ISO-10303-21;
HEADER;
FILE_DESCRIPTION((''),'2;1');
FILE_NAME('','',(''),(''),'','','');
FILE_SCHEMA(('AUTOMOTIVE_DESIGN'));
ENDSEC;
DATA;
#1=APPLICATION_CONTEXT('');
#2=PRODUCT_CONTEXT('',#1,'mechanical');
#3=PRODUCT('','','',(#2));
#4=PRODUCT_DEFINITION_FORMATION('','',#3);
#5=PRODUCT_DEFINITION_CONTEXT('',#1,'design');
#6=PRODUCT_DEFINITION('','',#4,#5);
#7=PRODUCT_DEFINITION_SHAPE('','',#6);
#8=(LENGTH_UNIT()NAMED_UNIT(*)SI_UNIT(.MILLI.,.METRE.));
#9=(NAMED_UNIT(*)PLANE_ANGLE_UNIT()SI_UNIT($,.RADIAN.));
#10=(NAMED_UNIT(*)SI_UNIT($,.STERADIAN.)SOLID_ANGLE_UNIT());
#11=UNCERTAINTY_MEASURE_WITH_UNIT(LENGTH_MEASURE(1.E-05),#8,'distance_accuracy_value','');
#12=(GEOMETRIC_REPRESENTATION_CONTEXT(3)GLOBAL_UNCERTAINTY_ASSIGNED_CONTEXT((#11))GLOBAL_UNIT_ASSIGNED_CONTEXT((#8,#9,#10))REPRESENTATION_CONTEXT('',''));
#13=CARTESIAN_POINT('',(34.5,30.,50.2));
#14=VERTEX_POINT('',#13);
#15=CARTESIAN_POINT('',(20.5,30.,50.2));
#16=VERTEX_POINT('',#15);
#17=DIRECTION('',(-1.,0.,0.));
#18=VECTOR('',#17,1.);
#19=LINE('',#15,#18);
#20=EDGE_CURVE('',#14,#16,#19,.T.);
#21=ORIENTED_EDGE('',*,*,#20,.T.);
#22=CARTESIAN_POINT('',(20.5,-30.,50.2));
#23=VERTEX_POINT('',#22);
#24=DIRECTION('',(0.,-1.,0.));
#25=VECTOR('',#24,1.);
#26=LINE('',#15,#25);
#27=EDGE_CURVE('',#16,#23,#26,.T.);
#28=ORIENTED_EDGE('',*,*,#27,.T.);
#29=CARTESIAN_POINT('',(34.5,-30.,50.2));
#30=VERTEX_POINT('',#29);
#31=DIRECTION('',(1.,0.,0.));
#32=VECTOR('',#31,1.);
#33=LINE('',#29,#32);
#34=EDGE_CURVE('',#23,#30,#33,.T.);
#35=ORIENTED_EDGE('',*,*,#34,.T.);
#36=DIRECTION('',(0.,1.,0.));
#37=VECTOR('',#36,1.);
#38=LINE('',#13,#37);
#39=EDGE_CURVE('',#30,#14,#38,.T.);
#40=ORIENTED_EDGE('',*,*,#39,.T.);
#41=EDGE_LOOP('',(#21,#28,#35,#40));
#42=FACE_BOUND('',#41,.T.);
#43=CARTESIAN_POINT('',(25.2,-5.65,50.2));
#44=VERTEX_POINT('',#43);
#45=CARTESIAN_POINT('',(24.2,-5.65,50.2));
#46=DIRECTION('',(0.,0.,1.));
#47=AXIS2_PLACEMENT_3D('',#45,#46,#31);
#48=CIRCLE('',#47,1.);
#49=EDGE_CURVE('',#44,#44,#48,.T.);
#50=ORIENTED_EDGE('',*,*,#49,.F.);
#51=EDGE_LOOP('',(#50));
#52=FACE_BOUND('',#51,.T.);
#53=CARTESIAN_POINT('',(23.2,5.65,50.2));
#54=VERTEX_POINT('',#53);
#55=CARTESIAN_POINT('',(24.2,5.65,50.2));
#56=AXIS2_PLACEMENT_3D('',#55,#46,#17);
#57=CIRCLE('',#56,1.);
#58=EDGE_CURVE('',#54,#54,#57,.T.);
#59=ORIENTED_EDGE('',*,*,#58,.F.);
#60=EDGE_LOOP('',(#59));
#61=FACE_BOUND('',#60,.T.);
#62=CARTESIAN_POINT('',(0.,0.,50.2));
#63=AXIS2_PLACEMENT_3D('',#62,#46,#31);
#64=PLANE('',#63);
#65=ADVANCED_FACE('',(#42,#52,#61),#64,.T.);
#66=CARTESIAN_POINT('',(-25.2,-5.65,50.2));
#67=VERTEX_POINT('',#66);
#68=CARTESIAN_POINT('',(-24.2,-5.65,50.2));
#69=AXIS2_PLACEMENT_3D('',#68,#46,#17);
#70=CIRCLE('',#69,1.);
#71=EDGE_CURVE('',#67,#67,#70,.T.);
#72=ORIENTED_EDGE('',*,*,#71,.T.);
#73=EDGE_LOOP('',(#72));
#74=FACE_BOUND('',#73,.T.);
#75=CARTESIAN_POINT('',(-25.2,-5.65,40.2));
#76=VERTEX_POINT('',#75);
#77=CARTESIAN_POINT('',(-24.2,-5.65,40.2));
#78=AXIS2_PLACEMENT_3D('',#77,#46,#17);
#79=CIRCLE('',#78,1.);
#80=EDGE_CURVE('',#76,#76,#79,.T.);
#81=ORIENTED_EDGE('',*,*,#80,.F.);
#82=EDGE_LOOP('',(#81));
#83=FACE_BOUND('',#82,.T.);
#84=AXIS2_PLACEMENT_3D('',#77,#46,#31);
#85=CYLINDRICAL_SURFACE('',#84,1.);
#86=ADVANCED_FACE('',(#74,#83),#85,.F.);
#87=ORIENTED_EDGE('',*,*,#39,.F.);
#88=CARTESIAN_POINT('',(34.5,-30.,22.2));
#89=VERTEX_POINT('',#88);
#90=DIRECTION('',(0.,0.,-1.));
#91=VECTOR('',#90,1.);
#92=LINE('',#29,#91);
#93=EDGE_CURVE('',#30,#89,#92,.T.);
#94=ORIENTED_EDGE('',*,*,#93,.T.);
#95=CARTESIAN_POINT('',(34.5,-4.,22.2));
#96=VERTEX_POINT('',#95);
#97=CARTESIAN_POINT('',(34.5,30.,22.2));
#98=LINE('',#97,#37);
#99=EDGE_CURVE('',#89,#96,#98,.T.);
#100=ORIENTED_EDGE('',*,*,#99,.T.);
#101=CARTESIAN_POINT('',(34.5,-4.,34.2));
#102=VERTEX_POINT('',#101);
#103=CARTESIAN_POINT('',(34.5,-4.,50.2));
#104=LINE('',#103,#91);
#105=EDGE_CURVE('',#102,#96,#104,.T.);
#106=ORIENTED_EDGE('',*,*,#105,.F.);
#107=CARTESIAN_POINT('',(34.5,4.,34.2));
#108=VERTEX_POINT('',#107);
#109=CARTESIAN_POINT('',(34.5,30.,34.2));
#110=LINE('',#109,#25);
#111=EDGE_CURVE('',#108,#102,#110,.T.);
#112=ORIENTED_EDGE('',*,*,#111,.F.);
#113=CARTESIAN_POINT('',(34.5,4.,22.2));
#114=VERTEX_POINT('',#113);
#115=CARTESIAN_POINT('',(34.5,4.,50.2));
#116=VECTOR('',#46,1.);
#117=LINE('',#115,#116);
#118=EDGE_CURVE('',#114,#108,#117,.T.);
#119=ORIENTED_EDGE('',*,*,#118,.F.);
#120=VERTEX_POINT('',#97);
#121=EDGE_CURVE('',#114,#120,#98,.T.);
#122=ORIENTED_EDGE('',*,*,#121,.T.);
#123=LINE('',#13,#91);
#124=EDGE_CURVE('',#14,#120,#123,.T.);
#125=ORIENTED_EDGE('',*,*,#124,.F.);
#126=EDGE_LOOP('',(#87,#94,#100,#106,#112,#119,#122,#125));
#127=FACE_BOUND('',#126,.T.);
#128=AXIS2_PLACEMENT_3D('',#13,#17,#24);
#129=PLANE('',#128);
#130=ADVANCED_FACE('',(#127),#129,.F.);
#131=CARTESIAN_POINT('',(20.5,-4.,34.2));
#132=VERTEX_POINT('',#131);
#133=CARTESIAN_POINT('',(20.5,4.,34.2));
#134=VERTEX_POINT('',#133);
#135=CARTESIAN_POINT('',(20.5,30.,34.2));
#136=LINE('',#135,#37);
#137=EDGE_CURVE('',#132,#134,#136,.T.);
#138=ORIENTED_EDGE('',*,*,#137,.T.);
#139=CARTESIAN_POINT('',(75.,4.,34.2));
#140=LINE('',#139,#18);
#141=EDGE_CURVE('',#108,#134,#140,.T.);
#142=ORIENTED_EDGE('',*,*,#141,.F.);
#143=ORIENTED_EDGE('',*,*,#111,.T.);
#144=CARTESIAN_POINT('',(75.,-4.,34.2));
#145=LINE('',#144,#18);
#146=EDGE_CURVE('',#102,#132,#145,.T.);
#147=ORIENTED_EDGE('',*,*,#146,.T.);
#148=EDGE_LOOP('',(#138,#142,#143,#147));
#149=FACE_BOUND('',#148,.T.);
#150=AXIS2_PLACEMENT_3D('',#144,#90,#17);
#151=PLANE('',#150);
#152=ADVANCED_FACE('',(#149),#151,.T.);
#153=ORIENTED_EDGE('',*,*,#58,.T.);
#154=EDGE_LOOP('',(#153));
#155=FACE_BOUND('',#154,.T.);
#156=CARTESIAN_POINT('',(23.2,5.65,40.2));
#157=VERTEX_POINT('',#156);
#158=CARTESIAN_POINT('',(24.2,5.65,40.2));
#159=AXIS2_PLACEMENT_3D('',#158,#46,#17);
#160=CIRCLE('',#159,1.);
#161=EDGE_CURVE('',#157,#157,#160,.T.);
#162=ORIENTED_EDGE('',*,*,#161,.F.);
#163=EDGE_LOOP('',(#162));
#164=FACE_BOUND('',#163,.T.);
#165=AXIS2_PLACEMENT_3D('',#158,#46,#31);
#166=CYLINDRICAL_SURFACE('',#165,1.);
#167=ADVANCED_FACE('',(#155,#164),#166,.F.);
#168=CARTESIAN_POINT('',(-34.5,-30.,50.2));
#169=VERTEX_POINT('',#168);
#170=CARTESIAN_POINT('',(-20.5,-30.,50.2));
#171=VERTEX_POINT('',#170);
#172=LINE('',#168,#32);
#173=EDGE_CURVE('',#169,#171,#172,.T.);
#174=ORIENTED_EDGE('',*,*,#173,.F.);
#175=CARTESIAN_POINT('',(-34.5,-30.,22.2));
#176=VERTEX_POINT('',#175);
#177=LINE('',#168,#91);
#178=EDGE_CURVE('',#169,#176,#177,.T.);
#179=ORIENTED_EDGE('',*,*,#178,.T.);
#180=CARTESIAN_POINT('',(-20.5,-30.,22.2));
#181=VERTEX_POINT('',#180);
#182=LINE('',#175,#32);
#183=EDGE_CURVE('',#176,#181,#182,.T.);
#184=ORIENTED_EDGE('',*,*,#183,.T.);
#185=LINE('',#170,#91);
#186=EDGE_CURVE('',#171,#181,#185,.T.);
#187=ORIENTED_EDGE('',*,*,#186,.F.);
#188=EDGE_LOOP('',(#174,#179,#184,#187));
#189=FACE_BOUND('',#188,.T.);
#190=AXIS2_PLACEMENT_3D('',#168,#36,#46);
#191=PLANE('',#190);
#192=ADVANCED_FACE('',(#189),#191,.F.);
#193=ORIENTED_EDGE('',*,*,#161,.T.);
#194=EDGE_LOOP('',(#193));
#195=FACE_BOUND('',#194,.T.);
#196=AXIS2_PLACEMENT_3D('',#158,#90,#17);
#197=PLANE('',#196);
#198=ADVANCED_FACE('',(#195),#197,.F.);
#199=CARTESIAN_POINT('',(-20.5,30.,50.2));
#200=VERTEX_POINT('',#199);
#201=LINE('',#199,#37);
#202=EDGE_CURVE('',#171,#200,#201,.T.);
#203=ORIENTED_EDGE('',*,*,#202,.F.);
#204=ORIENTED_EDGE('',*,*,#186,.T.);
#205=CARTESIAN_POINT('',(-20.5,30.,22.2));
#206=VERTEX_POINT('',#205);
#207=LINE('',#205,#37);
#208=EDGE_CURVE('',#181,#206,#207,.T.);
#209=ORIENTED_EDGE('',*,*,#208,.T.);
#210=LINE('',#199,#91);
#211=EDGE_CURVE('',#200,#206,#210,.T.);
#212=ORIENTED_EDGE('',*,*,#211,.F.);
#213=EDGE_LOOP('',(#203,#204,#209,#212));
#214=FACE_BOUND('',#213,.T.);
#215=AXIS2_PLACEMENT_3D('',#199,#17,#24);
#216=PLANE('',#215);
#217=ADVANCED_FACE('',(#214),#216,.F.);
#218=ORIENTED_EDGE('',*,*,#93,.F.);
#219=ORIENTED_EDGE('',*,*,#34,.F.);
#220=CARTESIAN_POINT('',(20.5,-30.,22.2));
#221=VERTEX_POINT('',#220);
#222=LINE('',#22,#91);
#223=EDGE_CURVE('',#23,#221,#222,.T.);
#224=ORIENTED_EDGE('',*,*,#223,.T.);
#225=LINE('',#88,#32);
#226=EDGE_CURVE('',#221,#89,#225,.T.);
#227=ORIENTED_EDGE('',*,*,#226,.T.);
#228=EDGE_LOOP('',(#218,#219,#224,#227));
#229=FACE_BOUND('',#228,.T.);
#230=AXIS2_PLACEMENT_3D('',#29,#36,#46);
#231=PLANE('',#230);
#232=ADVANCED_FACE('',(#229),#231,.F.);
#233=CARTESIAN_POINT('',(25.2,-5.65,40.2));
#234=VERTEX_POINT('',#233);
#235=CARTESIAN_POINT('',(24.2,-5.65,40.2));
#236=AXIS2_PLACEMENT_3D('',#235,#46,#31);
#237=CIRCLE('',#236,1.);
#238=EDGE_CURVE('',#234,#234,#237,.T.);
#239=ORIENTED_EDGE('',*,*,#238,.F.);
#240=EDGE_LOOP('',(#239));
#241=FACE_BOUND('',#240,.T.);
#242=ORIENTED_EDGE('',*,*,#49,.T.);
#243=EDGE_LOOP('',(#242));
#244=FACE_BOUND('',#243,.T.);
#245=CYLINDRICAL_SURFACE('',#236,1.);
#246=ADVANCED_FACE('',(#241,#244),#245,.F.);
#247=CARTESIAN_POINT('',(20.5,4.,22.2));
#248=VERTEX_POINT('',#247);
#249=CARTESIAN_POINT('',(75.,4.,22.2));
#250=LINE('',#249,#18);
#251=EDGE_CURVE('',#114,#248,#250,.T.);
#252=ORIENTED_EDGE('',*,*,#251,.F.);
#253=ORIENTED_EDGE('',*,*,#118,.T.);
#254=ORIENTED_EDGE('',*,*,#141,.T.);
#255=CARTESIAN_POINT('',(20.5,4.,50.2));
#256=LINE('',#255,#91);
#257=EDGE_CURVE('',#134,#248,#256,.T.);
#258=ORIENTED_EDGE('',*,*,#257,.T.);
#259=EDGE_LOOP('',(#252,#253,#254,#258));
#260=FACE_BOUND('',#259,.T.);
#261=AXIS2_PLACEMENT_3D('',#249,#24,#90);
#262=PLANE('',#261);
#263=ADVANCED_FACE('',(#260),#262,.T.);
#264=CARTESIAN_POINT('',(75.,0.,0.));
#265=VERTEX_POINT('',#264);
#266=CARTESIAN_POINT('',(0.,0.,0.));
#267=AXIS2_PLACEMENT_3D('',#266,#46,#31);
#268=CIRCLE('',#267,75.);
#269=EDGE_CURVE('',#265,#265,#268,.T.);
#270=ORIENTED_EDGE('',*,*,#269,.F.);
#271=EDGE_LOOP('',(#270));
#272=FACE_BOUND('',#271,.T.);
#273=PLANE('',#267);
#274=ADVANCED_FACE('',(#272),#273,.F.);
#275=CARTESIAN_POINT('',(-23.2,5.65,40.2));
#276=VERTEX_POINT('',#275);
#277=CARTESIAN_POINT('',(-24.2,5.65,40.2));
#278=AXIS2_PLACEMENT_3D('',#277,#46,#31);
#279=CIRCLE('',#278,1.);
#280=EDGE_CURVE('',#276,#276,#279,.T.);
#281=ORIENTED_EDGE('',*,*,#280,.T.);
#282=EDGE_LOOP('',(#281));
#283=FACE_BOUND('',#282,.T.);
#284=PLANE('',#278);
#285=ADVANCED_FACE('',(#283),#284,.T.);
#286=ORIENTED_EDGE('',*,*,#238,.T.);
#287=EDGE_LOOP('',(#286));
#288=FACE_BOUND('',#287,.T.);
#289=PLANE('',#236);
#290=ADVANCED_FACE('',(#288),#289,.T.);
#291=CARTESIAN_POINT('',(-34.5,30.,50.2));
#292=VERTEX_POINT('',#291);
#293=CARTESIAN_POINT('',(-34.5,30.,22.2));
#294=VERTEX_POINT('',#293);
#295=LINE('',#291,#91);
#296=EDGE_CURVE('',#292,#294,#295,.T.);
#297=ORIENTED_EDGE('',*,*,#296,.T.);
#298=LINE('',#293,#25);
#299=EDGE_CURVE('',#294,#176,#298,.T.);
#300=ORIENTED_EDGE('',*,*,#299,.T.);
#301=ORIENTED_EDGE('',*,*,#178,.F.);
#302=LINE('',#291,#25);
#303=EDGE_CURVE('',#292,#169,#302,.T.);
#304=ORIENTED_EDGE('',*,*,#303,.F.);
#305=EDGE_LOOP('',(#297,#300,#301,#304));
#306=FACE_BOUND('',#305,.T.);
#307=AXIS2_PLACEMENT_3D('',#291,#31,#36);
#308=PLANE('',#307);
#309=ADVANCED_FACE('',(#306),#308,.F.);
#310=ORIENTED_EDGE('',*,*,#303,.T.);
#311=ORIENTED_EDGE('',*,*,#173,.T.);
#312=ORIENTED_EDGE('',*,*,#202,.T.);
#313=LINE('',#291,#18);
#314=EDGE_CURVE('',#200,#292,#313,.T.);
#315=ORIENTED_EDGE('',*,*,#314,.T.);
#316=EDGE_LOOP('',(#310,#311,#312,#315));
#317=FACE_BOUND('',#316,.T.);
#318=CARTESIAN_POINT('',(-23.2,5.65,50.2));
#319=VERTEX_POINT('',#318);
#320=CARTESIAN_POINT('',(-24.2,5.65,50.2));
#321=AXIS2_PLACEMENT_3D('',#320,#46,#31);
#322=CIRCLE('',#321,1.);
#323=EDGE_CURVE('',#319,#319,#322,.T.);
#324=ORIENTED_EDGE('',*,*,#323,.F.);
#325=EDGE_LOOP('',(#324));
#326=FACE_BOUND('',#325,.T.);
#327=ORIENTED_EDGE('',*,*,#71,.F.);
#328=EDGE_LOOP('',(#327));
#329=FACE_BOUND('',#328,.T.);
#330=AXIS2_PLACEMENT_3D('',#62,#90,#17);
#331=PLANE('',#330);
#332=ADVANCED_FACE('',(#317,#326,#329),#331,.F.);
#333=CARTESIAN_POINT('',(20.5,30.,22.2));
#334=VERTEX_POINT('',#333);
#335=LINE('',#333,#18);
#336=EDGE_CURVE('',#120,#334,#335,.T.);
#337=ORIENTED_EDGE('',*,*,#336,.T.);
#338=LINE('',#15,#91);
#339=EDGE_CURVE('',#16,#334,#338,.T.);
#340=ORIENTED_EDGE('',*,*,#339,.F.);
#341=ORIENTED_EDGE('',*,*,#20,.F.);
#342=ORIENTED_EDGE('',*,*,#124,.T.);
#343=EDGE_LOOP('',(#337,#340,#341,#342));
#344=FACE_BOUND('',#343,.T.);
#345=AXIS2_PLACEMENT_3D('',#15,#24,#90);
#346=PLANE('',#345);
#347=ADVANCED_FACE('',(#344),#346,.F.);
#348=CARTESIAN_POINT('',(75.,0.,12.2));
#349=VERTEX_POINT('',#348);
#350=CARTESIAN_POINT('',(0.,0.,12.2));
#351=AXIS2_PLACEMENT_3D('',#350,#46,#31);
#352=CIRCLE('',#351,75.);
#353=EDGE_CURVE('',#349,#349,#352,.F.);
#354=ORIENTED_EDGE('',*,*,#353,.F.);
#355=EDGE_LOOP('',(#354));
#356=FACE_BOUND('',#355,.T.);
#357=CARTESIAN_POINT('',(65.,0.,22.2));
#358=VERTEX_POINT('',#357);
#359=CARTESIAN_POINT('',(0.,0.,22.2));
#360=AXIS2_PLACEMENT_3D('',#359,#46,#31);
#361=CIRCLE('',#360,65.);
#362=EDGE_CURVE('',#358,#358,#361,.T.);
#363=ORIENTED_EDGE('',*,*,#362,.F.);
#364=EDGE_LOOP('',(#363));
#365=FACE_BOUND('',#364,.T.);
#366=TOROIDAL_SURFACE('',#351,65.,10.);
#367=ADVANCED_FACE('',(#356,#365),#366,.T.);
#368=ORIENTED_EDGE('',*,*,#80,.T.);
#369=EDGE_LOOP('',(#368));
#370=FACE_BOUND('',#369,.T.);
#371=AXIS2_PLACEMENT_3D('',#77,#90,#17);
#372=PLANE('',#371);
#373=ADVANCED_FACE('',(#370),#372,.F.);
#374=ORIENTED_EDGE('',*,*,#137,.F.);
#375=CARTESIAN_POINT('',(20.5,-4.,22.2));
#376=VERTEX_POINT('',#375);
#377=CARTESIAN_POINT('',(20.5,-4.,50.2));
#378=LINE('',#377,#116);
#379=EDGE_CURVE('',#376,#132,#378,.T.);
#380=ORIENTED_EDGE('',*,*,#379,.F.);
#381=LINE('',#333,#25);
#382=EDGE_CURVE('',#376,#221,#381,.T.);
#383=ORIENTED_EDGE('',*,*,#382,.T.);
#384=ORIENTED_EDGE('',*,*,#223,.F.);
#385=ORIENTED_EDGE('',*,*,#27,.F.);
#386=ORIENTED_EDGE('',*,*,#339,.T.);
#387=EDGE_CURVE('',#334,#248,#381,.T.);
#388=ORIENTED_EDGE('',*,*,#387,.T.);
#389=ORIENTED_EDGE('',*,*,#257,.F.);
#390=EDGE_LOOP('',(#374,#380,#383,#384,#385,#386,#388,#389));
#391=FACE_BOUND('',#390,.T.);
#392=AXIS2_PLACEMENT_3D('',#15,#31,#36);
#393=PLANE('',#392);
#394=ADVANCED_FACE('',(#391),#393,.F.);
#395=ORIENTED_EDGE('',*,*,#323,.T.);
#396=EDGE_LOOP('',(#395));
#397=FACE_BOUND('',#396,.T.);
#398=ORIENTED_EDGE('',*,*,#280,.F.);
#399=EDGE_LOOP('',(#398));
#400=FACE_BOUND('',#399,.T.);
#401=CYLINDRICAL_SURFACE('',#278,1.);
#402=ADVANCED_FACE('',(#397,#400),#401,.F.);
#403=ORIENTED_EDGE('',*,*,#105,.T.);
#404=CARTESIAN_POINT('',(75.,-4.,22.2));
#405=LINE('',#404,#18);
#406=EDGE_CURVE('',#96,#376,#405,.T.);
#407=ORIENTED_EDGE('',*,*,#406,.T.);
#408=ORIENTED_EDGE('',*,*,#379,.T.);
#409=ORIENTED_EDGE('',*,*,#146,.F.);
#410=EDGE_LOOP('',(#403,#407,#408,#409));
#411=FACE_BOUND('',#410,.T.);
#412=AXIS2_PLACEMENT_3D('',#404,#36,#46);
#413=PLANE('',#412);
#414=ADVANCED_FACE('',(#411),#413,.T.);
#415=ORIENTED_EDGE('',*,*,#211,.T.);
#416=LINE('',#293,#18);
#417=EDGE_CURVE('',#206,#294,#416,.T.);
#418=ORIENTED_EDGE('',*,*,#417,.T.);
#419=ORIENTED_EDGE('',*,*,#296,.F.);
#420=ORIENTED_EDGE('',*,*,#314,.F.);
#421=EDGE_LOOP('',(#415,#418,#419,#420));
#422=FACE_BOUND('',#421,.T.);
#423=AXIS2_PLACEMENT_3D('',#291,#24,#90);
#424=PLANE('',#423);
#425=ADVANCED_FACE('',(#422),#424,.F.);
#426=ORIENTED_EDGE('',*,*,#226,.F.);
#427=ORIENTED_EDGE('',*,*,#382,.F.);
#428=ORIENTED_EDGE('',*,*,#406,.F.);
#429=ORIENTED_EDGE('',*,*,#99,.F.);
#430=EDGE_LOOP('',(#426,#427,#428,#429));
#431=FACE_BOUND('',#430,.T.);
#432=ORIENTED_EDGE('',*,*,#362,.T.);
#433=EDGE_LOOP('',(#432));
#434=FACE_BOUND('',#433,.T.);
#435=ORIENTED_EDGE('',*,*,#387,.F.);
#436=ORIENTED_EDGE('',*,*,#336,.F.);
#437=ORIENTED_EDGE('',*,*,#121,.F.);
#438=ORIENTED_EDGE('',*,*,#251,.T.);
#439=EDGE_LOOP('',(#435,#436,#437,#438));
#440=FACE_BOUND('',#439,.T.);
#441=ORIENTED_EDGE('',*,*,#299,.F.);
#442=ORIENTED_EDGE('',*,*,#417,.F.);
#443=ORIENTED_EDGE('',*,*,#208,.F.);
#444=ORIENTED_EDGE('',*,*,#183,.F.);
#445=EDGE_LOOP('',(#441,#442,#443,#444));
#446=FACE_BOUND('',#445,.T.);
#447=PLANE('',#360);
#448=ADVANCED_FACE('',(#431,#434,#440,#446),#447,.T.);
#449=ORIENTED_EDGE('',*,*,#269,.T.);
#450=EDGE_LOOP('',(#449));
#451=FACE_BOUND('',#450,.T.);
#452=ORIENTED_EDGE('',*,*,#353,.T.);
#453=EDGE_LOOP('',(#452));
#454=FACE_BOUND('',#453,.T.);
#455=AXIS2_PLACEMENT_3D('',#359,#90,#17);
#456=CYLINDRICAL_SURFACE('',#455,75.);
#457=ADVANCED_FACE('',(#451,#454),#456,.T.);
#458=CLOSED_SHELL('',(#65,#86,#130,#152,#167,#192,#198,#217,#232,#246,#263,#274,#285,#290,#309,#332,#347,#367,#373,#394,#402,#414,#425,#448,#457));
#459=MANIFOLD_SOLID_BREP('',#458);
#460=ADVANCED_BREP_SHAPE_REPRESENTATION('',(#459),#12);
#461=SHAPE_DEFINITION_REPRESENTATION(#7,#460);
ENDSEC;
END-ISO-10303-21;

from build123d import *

# Parameters (mm, degrees)
ESQUISSE1_R               = 75
BOSS_EXTRU_1_DEPTH        = 22.2
CONG_1_R                  = 10
ESQUISSE2_W               = 14
ESQUISSE2_H               = 60
BOSS_EXTRU_2_DEPTH        = 28
ESQUISSE3_R               = 1
ENL_V_MAT_EXTRU_1_DEPTH   = 10
ESQUISSE5_W               = 12
ESQUISSE5_H               = 8
PASSAGE_CABLE_MG995_DEPTH = 118.34581373


with BuildPart() as part:
    # Esquisse1 → Boss.-Extru.1 (new body)
    with BuildSketch(Plane.XY):
        Circle(ESQUISSE1_R)
    extrude(amount=BOSS_EXTRU_1_DEPTH)

    # Congé1
    cong_1_edges = [part.edges().sort_by_distance(p)[0] for p in [
        (-75, 0, 22.2),
    ]]
    fillet(cong_1_edges, radius=CONG_1_R)

    # Esquisse2 → Boss.-Extru.2 (add)
    with BuildSketch(Plane.XY.offset(22.2)):
        with Locations((-27.5, 0)):
            Rectangle(ESQUISSE2_W, ESQUISSE2_H)
        with Locations((27.5, 0)):
            Rectangle(ESQUISSE2_W, ESQUISSE2_H)
    extrude(amount=BOSS_EXTRU_2_DEPTH)

    # Esquisse3 → Enlèv. mat.-Extru.1 (cut)
    with BuildSketch(Plane.XY.offset(50.2)):
        with Locations((-24.2, 5.65)):
            Circle(ESQUISSE3_R)
        with Locations(Location((-24.2, -5.65, 0), (0, 0, 180))):
            Circle(ESQUISSE3_R)
        with Locations((24.2, -5.65)):
            Circle(ESQUISSE3_R)
        with Locations(Location((24.2, 5.65, 0), (0, 0, 180))):
            Circle(ESQUISSE3_R)
    extrude(amount=-ENL_V_MAT_EXTRU_1_DEPTH, mode=Mode.SUBTRACT)

    # Esquisse5 → Passage cable MG995 (cut, through all)
    with BuildSketch(Plane(origin=(0, 0, 0), x_dir=(0, 0, -1), z_dir=(1, 0, 0))):
        with Locations((-28.2, 0)):
            Rectangle(ESQUISSE5_W, ESQUISSE5_H)
    extrude(amount=PASSAGE_CABLE_MG995_DEPTH, mode=Mode.SUBTRACT)


solid = part.part
